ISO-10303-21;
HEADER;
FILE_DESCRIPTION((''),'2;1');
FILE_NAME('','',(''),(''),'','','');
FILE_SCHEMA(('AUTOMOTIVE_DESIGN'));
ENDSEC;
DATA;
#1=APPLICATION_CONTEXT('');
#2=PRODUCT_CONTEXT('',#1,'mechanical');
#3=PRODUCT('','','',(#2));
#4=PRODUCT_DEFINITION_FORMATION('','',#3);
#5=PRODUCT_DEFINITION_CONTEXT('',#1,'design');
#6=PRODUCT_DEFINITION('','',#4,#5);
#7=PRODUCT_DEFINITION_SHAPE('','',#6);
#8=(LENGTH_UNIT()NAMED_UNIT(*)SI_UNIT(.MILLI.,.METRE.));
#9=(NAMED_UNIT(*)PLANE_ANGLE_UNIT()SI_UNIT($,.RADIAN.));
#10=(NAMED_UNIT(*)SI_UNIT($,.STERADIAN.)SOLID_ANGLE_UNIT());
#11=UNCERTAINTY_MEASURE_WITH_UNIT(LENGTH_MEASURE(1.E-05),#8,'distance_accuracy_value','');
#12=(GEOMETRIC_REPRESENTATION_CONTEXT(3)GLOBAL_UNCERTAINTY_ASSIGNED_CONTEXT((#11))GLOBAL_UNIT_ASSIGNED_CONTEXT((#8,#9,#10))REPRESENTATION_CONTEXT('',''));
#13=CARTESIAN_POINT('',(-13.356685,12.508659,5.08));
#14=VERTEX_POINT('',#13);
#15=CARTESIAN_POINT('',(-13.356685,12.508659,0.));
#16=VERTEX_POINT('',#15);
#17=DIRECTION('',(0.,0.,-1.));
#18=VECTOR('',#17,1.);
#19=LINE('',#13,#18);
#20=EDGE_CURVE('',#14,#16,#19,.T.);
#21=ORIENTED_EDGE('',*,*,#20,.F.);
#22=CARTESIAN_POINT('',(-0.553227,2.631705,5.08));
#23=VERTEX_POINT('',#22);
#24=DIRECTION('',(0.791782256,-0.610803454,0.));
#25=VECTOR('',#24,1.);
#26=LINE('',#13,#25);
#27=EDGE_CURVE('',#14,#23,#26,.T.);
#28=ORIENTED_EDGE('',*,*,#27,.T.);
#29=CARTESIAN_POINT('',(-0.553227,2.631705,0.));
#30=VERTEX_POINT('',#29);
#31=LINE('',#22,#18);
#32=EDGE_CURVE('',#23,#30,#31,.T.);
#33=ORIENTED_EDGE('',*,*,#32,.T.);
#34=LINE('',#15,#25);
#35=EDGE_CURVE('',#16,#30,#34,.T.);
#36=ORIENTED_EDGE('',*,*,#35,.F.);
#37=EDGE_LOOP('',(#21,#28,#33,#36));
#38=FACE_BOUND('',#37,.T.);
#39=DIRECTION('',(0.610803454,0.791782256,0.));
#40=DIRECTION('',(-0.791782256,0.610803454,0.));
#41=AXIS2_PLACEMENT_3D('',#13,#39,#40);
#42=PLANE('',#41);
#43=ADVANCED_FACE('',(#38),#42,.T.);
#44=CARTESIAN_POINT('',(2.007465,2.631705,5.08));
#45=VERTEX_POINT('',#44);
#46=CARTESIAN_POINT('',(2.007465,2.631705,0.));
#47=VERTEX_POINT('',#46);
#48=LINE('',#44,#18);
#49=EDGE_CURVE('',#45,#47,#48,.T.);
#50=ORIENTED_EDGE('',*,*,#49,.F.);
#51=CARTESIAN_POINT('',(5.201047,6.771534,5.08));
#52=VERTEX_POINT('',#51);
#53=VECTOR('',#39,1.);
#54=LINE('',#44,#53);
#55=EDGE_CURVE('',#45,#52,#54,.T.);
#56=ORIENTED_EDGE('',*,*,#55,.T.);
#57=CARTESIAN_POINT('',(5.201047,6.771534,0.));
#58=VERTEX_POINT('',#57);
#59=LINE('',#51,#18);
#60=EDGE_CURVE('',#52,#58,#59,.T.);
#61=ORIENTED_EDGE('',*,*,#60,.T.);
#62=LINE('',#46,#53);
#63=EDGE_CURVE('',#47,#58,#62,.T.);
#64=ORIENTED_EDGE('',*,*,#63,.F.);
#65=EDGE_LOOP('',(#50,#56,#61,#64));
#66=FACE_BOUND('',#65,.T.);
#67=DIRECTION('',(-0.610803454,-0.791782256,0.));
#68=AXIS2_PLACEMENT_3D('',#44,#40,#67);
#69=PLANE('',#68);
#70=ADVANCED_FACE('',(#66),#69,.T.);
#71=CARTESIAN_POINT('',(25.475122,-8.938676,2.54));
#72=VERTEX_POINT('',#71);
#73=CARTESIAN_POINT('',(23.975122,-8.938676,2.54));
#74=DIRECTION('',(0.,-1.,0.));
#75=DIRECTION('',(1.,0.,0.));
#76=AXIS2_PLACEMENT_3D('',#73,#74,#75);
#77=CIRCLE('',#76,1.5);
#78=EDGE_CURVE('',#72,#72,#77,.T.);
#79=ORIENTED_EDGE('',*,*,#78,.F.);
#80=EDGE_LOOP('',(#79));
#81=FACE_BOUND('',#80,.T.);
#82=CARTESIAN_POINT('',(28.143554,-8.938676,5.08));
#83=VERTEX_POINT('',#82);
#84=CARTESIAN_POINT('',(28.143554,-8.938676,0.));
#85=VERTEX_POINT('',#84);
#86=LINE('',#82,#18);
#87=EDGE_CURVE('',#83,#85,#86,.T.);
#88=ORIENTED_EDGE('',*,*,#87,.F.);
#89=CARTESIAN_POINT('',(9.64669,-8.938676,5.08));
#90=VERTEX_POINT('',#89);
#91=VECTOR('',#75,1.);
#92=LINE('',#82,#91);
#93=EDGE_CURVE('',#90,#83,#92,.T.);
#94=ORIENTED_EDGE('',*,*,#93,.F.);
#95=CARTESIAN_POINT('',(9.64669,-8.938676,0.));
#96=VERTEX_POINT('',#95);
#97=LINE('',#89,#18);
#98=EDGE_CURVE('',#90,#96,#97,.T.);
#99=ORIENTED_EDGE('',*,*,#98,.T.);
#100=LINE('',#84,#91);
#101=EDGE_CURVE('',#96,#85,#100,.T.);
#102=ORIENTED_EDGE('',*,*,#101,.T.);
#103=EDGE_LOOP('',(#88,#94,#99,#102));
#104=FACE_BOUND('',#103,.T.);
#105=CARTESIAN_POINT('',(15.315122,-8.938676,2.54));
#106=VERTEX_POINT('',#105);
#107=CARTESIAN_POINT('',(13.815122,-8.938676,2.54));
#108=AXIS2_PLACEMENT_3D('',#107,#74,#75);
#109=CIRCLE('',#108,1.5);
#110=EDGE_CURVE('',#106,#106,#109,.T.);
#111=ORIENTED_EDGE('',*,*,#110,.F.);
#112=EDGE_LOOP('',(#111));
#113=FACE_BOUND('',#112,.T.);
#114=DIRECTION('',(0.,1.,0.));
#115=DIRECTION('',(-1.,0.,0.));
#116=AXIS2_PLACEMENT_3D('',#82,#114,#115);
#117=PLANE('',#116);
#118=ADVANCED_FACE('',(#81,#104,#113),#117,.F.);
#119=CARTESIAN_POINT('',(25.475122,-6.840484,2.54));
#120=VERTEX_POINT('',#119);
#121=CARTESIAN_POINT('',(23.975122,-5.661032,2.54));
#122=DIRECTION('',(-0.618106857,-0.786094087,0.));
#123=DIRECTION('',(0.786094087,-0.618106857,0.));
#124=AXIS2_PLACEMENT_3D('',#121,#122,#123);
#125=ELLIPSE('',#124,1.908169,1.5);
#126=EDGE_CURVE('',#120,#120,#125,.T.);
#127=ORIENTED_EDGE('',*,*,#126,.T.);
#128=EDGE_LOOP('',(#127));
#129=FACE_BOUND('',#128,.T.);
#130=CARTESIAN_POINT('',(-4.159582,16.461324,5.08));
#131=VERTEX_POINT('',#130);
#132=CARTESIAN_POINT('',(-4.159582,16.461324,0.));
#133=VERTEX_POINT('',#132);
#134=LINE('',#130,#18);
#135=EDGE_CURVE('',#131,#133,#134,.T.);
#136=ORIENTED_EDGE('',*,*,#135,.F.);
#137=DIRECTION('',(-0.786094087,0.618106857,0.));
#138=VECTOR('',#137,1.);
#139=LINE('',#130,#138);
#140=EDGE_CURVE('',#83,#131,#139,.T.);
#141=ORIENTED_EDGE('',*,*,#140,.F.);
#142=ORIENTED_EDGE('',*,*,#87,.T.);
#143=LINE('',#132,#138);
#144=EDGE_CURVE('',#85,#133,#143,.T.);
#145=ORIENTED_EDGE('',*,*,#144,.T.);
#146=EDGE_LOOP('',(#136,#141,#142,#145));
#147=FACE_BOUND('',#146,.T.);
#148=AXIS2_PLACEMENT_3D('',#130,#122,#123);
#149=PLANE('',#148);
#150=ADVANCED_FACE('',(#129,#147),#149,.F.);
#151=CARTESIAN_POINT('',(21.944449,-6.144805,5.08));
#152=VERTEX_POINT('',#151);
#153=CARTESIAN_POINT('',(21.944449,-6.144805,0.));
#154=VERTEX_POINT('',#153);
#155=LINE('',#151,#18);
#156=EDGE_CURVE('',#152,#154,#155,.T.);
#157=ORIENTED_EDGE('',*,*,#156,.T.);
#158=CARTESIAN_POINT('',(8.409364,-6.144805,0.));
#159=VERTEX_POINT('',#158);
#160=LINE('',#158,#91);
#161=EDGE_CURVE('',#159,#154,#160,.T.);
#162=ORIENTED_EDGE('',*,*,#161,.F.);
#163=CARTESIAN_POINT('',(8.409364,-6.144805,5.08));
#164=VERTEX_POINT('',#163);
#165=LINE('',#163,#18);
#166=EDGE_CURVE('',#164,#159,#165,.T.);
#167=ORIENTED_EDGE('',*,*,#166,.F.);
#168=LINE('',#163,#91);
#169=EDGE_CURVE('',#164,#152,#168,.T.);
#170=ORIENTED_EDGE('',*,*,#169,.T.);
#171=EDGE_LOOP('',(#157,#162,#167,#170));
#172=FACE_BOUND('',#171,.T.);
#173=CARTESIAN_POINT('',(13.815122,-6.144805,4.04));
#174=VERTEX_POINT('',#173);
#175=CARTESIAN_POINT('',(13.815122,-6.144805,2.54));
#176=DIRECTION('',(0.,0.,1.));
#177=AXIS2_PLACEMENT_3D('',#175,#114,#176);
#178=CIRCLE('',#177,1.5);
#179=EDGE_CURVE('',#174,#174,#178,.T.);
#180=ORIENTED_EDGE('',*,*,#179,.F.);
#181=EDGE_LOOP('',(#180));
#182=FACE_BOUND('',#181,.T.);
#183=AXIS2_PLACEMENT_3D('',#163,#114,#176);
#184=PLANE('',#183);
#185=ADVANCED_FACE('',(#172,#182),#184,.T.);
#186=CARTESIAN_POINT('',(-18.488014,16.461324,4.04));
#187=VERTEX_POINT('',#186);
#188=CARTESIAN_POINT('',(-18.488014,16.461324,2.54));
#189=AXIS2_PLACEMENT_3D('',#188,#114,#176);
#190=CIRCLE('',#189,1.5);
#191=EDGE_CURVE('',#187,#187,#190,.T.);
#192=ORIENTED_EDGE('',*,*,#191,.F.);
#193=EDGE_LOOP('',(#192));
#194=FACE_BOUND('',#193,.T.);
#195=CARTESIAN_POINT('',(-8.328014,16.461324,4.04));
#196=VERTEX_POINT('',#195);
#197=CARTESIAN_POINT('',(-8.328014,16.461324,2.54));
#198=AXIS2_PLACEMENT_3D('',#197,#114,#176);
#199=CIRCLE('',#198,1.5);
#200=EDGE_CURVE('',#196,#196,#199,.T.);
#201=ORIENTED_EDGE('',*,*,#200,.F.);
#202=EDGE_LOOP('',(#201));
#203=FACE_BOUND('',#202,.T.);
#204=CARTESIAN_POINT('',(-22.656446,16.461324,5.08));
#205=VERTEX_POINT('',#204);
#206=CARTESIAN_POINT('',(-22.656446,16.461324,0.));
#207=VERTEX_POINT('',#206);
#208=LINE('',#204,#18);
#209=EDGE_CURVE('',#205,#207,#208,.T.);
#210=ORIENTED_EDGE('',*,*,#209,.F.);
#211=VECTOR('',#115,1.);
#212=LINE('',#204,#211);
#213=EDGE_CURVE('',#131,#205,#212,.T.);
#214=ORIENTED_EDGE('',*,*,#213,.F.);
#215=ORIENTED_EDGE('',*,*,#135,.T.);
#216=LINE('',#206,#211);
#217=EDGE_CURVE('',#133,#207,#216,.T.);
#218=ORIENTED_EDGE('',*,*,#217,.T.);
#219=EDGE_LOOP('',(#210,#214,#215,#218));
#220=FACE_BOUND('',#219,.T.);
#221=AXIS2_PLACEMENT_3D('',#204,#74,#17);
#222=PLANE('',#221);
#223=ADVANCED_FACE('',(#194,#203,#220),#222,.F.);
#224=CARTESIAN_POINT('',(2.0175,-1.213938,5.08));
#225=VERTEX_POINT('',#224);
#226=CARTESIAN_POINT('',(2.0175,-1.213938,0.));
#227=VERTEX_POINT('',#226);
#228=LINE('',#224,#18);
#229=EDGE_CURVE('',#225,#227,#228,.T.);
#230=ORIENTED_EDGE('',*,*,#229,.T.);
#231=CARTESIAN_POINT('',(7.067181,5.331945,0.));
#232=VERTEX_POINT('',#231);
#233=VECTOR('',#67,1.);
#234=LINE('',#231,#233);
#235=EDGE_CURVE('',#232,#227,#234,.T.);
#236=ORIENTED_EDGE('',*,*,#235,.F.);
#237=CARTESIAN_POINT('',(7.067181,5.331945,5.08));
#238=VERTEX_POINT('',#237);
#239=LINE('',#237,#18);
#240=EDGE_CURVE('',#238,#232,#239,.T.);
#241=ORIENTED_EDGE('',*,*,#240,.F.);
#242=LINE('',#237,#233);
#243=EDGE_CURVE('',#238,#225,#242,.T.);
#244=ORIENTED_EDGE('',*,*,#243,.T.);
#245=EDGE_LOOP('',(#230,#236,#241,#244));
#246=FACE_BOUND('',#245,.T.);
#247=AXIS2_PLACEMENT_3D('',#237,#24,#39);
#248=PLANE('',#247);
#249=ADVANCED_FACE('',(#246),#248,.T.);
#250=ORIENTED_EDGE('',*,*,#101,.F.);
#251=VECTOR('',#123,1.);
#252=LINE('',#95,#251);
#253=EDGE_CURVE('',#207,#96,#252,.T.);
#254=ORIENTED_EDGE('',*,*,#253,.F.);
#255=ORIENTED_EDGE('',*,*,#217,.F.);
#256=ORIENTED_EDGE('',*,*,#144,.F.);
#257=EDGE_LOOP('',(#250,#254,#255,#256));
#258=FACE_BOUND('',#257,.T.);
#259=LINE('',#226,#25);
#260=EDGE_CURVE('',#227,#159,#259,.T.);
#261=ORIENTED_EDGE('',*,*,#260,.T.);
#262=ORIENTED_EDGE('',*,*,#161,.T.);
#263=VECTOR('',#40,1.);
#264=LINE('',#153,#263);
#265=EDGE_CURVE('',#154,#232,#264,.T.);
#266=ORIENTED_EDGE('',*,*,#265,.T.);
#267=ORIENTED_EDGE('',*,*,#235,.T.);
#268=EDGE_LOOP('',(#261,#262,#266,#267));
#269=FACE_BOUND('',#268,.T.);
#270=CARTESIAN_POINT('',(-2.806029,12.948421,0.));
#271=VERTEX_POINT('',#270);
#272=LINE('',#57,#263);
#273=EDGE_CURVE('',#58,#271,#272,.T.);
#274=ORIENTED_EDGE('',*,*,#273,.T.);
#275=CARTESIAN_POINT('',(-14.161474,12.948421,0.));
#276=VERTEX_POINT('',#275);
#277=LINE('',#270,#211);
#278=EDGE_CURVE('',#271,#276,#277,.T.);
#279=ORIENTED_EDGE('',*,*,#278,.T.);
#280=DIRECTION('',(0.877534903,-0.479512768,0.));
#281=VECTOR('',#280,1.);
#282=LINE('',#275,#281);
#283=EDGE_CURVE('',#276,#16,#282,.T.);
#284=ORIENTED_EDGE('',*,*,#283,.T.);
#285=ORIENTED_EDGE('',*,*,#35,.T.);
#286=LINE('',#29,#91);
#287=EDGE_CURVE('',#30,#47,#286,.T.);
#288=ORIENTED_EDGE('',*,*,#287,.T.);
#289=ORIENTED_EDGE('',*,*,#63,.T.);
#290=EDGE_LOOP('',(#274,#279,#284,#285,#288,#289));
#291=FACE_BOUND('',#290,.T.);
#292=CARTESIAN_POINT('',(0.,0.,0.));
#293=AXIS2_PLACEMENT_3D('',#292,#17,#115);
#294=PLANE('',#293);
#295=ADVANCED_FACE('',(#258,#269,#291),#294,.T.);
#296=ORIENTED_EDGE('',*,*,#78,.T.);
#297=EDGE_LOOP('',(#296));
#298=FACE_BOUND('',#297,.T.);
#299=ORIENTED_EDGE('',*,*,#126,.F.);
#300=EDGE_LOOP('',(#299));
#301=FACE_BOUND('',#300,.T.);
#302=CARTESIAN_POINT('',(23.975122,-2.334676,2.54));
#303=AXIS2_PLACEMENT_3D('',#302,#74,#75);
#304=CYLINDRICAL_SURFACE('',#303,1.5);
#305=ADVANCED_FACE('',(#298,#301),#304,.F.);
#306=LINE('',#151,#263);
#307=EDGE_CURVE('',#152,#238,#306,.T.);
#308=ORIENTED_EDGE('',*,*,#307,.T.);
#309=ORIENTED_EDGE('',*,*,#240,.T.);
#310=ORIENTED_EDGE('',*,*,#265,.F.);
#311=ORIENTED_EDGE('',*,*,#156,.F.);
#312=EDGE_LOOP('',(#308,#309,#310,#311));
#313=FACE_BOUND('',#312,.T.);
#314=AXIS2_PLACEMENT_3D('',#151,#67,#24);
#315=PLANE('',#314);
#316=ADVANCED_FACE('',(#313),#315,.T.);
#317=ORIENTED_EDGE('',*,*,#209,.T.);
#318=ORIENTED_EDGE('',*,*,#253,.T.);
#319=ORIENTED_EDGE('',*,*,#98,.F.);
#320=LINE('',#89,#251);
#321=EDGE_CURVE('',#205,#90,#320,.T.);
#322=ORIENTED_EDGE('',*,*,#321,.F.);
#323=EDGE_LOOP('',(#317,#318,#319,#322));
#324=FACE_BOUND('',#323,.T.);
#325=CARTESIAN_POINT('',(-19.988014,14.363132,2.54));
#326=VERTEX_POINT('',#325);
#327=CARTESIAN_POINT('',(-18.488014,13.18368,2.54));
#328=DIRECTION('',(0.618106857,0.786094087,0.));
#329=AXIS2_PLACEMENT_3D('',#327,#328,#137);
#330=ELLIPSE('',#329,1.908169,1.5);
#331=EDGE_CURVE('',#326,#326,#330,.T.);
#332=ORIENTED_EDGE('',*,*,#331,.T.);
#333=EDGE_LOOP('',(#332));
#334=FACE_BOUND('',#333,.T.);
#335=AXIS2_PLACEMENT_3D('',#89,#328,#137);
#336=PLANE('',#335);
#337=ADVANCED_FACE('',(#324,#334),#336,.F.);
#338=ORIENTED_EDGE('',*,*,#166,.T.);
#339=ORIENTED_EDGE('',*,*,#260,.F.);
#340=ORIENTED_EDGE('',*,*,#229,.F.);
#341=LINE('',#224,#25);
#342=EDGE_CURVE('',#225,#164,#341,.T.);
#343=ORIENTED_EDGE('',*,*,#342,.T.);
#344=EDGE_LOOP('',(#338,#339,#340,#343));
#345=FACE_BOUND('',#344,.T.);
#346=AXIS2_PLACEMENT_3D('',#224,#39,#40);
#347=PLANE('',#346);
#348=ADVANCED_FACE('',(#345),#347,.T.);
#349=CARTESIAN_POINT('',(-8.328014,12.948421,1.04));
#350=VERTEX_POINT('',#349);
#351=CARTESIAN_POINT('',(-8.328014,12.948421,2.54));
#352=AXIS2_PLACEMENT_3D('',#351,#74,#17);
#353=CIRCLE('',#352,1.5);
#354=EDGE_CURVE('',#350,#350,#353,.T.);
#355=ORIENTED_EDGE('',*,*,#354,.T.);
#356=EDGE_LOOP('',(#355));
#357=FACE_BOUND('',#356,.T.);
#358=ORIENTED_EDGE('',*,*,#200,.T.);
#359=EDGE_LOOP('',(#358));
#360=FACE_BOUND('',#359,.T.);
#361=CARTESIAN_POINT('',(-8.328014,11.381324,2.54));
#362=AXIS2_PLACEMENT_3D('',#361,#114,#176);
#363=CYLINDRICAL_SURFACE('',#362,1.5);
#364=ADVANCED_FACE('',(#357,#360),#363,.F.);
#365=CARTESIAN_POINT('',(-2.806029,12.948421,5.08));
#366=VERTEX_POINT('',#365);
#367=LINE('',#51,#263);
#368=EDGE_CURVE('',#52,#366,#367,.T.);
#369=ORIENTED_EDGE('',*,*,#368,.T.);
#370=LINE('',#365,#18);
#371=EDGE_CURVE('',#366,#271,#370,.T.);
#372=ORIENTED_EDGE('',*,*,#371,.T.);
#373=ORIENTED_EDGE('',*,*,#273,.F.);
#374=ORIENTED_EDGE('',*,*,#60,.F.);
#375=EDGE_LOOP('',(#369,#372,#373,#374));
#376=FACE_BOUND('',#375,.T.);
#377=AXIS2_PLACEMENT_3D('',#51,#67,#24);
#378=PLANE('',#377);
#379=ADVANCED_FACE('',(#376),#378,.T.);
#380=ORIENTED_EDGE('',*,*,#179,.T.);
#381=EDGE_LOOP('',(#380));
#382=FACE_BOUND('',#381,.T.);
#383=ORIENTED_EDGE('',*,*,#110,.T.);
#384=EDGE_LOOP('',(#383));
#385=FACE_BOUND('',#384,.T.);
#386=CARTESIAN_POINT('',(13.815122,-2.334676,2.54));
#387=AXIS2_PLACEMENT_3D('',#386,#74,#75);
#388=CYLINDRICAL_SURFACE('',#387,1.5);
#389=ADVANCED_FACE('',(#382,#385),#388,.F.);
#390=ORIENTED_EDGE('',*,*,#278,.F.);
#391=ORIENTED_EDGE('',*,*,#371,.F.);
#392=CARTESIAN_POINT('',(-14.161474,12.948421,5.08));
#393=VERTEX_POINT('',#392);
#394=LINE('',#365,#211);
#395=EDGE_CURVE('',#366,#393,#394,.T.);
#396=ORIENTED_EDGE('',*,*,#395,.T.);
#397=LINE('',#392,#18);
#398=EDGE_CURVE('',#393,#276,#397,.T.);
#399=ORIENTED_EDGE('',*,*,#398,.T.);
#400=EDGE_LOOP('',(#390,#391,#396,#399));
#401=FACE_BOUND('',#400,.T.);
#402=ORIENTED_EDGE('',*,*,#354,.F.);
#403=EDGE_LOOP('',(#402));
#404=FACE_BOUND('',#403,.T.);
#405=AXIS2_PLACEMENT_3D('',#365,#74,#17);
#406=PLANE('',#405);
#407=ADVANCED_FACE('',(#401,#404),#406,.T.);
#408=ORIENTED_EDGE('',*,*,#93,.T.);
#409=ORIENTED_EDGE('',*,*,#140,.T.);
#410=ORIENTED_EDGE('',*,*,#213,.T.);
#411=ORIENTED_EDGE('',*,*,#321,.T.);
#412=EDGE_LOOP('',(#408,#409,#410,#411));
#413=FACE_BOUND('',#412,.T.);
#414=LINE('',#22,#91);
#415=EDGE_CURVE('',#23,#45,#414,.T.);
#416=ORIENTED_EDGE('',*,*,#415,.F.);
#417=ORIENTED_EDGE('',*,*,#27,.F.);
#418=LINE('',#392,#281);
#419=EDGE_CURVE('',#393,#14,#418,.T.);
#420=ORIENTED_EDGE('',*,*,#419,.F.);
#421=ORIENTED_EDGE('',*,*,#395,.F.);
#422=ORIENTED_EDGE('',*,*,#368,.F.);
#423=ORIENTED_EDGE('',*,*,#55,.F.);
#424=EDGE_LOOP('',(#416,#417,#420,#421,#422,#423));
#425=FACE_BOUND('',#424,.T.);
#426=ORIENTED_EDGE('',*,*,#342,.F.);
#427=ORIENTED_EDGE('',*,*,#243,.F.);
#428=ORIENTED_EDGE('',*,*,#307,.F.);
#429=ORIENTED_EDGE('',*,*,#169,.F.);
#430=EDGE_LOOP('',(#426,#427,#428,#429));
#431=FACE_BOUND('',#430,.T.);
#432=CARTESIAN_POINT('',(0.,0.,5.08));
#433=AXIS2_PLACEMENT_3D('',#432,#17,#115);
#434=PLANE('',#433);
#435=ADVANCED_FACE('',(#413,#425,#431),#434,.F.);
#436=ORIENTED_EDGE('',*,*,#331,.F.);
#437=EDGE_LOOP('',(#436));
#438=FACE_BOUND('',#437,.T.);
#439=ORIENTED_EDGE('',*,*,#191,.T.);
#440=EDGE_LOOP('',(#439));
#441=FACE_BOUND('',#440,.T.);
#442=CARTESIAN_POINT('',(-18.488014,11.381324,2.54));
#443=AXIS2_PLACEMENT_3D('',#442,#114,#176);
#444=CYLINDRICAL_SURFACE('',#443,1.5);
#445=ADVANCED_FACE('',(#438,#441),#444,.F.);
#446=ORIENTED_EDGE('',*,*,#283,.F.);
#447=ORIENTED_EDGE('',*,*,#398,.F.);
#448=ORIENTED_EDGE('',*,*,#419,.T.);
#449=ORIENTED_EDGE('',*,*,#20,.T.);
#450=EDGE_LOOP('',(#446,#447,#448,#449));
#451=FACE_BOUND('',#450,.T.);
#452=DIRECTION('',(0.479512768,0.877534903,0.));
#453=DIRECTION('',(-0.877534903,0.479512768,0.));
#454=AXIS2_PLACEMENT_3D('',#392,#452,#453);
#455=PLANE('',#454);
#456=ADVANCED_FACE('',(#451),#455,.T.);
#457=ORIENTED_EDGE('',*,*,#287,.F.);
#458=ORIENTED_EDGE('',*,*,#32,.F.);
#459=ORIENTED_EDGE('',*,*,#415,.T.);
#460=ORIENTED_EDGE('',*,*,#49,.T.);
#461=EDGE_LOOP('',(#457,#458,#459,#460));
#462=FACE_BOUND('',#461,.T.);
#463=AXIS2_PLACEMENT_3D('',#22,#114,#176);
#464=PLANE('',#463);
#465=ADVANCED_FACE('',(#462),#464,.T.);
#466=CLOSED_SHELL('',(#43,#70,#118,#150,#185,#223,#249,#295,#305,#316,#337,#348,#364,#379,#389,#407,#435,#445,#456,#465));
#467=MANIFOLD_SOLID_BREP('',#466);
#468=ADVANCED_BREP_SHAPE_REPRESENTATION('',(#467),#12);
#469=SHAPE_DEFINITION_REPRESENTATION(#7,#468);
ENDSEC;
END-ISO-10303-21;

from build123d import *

# Parameters (mm, degrees)
BOSS_EXTRUDE1_DEPTH = 5.08
SKETCH2_R           = 1.5
CUT_EXTRUDE1_DEPTH  = 5.08
SKETCH3_R           = 1.5
CUT_EXTRUDE2_DEPTH  = 6.604


with BuildPart() as part:
    # Sketch1 → Boss-Extrude1 (new body)
    with BuildSketch(Plane.XY):
        Polygon((-22.656445993, 16.461324042), (-4.159581882, 16.461324042), (28.143554007, -8.938675958), (9.646689895, -8.938675958), align=None)
        Polygon((-13.356685139, 12.508658791), (-0.553226603, 2.631705063), (2.007465105, 2.631705063), (5.201047175, 6.771533672), (-2.806028737, 12.948420804), (-14.161473962, 12.948420804), align=None, mode=Mode.SUBTRACT)
        Polygon((2.017499691, -1.213937924), (8.409364086, -6.144804743), (21.944448825, -6.144804743), (7.067180743, 5.33194492), align=None, mode=Mode.SUBTRACT)
    extrude(amount=BOSS_EXTRUDE1_DEPTH)

    # Sketch2 → Cut-Extrude1 (cut)
    with BuildSketch(Plane(origin=(0, 16.461324042, 0), x_dir=(1, 0, 0), z_dir=(0, 1, 0))):
        with Locations(Location((-18.488013937, -2.54, 0), (0, 0, 270))):
            Circle(SKETCH2_R)
        with Locations(Location((-8.328013937, -2.54, 0), (0, 0, 270))):
            Circle(SKETCH2_R)
    extrude(amount=-CUT_EXTRUDE1_DEPTH, mode=Mode.SUBTRACT)

    # Sketch3 → Cut-Extrude2 (cut)
    with BuildSketch(Plane(origin=(0, -8.938675958, 0), x_dir=(-1, 0, 0), z_dir=(0, -1, 0))):
        with Locations(Location((-23.975121951, -2.54, 0), (0, 0, 180))):
            Circle(SKETCH3_R)
        with Locations(Location((-13.815121951, -2.54, 0), (0, 0, 180))):
            Circle(SKETCH3_R)
    extrude(amount=-CUT_EXTRUDE2_DEPTH, mode=Mode.SUBTRACT)


solid = part.part
